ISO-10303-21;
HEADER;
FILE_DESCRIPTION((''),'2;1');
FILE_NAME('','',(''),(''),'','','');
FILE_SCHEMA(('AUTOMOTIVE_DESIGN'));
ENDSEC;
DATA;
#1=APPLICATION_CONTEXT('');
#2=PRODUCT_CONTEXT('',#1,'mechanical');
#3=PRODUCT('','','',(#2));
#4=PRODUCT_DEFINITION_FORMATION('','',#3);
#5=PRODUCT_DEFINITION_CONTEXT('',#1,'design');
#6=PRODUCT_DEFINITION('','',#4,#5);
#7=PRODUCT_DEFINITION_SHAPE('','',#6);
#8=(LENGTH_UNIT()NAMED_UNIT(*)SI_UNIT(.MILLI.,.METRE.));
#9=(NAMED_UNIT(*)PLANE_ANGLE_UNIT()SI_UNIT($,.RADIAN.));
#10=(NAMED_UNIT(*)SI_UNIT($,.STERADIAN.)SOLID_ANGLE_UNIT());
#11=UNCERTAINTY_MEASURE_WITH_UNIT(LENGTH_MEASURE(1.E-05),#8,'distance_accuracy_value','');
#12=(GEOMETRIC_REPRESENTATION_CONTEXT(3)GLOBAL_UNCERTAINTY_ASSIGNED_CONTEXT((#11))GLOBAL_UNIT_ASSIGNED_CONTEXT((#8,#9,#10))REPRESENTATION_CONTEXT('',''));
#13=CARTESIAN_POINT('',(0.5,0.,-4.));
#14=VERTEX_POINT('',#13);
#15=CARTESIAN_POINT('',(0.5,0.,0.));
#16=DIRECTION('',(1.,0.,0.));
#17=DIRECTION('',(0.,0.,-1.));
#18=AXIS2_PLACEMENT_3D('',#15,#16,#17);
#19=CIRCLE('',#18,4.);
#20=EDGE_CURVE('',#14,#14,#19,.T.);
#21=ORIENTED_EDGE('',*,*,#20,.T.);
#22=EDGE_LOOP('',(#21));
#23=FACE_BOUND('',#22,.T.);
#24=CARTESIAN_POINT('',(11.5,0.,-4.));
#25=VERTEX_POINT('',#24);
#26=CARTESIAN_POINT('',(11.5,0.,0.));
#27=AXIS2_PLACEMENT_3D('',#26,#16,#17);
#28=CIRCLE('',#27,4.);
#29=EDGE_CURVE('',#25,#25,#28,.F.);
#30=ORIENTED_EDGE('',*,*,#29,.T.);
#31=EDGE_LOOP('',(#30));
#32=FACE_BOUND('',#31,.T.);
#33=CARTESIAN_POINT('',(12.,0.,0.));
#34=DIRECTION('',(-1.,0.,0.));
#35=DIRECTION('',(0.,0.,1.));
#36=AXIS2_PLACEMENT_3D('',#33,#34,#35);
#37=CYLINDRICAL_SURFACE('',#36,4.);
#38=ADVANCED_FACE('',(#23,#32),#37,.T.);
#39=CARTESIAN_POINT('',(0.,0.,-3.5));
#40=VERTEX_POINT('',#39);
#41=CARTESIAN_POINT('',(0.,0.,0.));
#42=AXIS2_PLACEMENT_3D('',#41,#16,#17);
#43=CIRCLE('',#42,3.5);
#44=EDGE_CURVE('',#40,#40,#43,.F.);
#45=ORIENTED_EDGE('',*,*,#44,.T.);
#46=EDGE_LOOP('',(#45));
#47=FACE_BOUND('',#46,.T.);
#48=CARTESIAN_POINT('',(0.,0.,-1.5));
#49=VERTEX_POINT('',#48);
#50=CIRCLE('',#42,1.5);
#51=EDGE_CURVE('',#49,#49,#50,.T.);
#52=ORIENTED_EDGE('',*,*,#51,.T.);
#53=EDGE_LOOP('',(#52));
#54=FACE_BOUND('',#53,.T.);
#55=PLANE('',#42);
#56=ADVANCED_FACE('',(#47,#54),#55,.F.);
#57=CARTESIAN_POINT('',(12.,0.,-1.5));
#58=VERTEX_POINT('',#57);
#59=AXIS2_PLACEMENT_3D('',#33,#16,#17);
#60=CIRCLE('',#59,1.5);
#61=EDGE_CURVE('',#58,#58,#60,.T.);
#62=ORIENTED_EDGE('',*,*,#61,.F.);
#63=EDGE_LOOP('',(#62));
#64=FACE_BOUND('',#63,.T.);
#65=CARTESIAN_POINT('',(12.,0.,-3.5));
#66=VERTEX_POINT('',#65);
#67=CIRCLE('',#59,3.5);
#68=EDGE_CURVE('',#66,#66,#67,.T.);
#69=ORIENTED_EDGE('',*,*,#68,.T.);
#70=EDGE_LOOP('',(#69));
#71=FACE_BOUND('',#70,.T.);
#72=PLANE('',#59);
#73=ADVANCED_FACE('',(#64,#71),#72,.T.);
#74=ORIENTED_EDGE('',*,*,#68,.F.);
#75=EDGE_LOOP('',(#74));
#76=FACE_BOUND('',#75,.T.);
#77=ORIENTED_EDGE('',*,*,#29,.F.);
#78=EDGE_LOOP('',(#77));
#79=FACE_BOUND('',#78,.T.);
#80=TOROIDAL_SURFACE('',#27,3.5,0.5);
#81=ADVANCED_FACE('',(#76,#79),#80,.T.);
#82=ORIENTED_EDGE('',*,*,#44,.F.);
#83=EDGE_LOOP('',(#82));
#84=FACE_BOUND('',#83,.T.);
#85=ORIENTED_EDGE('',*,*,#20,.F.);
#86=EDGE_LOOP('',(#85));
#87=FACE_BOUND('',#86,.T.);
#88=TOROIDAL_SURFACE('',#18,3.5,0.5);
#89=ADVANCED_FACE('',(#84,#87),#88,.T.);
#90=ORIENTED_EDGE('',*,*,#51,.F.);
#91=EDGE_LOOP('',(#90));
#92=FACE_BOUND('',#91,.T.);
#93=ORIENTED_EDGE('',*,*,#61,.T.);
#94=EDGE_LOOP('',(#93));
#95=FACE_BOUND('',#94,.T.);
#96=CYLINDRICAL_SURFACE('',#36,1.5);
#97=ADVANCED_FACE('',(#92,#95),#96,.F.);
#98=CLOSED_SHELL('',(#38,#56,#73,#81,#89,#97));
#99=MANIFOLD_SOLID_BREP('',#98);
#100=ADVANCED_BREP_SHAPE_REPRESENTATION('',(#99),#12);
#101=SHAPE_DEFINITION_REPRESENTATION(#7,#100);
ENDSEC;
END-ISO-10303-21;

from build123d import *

# Parameters (mm, degrees)
CROQUIS1_R              = 4
CROQUIS1_R_2            = 1.5
SALIENTE_EXTRUIR1_DEPTH = 12
REDONDEO1_R             = 0.5


with BuildPart() as part:
    # Croquis1 → Saliente-Extruir1 (new body)
    with BuildSketch(Plane(origin=(0, 0, 0), x_dir=(0, 0, -1), z_dir=(1, 0, 0))):
        Circle(CROQUIS1_R)
        Circle(CROQUIS1_R_2, mode=Mode.SUBTRACT)
    extrude(amount=SALIENTE_EXTRUIR1_DEPTH)

    # Redondeo1
    redondeo1_edges = [part.edges().sort_by_distance(p)[0] for p in [
        (0, 0, 4),
        (12, 0, 4),
    ]]
    fillet(redondeo1_edges, radius=REDONDEO1_R)


solid = part.part
